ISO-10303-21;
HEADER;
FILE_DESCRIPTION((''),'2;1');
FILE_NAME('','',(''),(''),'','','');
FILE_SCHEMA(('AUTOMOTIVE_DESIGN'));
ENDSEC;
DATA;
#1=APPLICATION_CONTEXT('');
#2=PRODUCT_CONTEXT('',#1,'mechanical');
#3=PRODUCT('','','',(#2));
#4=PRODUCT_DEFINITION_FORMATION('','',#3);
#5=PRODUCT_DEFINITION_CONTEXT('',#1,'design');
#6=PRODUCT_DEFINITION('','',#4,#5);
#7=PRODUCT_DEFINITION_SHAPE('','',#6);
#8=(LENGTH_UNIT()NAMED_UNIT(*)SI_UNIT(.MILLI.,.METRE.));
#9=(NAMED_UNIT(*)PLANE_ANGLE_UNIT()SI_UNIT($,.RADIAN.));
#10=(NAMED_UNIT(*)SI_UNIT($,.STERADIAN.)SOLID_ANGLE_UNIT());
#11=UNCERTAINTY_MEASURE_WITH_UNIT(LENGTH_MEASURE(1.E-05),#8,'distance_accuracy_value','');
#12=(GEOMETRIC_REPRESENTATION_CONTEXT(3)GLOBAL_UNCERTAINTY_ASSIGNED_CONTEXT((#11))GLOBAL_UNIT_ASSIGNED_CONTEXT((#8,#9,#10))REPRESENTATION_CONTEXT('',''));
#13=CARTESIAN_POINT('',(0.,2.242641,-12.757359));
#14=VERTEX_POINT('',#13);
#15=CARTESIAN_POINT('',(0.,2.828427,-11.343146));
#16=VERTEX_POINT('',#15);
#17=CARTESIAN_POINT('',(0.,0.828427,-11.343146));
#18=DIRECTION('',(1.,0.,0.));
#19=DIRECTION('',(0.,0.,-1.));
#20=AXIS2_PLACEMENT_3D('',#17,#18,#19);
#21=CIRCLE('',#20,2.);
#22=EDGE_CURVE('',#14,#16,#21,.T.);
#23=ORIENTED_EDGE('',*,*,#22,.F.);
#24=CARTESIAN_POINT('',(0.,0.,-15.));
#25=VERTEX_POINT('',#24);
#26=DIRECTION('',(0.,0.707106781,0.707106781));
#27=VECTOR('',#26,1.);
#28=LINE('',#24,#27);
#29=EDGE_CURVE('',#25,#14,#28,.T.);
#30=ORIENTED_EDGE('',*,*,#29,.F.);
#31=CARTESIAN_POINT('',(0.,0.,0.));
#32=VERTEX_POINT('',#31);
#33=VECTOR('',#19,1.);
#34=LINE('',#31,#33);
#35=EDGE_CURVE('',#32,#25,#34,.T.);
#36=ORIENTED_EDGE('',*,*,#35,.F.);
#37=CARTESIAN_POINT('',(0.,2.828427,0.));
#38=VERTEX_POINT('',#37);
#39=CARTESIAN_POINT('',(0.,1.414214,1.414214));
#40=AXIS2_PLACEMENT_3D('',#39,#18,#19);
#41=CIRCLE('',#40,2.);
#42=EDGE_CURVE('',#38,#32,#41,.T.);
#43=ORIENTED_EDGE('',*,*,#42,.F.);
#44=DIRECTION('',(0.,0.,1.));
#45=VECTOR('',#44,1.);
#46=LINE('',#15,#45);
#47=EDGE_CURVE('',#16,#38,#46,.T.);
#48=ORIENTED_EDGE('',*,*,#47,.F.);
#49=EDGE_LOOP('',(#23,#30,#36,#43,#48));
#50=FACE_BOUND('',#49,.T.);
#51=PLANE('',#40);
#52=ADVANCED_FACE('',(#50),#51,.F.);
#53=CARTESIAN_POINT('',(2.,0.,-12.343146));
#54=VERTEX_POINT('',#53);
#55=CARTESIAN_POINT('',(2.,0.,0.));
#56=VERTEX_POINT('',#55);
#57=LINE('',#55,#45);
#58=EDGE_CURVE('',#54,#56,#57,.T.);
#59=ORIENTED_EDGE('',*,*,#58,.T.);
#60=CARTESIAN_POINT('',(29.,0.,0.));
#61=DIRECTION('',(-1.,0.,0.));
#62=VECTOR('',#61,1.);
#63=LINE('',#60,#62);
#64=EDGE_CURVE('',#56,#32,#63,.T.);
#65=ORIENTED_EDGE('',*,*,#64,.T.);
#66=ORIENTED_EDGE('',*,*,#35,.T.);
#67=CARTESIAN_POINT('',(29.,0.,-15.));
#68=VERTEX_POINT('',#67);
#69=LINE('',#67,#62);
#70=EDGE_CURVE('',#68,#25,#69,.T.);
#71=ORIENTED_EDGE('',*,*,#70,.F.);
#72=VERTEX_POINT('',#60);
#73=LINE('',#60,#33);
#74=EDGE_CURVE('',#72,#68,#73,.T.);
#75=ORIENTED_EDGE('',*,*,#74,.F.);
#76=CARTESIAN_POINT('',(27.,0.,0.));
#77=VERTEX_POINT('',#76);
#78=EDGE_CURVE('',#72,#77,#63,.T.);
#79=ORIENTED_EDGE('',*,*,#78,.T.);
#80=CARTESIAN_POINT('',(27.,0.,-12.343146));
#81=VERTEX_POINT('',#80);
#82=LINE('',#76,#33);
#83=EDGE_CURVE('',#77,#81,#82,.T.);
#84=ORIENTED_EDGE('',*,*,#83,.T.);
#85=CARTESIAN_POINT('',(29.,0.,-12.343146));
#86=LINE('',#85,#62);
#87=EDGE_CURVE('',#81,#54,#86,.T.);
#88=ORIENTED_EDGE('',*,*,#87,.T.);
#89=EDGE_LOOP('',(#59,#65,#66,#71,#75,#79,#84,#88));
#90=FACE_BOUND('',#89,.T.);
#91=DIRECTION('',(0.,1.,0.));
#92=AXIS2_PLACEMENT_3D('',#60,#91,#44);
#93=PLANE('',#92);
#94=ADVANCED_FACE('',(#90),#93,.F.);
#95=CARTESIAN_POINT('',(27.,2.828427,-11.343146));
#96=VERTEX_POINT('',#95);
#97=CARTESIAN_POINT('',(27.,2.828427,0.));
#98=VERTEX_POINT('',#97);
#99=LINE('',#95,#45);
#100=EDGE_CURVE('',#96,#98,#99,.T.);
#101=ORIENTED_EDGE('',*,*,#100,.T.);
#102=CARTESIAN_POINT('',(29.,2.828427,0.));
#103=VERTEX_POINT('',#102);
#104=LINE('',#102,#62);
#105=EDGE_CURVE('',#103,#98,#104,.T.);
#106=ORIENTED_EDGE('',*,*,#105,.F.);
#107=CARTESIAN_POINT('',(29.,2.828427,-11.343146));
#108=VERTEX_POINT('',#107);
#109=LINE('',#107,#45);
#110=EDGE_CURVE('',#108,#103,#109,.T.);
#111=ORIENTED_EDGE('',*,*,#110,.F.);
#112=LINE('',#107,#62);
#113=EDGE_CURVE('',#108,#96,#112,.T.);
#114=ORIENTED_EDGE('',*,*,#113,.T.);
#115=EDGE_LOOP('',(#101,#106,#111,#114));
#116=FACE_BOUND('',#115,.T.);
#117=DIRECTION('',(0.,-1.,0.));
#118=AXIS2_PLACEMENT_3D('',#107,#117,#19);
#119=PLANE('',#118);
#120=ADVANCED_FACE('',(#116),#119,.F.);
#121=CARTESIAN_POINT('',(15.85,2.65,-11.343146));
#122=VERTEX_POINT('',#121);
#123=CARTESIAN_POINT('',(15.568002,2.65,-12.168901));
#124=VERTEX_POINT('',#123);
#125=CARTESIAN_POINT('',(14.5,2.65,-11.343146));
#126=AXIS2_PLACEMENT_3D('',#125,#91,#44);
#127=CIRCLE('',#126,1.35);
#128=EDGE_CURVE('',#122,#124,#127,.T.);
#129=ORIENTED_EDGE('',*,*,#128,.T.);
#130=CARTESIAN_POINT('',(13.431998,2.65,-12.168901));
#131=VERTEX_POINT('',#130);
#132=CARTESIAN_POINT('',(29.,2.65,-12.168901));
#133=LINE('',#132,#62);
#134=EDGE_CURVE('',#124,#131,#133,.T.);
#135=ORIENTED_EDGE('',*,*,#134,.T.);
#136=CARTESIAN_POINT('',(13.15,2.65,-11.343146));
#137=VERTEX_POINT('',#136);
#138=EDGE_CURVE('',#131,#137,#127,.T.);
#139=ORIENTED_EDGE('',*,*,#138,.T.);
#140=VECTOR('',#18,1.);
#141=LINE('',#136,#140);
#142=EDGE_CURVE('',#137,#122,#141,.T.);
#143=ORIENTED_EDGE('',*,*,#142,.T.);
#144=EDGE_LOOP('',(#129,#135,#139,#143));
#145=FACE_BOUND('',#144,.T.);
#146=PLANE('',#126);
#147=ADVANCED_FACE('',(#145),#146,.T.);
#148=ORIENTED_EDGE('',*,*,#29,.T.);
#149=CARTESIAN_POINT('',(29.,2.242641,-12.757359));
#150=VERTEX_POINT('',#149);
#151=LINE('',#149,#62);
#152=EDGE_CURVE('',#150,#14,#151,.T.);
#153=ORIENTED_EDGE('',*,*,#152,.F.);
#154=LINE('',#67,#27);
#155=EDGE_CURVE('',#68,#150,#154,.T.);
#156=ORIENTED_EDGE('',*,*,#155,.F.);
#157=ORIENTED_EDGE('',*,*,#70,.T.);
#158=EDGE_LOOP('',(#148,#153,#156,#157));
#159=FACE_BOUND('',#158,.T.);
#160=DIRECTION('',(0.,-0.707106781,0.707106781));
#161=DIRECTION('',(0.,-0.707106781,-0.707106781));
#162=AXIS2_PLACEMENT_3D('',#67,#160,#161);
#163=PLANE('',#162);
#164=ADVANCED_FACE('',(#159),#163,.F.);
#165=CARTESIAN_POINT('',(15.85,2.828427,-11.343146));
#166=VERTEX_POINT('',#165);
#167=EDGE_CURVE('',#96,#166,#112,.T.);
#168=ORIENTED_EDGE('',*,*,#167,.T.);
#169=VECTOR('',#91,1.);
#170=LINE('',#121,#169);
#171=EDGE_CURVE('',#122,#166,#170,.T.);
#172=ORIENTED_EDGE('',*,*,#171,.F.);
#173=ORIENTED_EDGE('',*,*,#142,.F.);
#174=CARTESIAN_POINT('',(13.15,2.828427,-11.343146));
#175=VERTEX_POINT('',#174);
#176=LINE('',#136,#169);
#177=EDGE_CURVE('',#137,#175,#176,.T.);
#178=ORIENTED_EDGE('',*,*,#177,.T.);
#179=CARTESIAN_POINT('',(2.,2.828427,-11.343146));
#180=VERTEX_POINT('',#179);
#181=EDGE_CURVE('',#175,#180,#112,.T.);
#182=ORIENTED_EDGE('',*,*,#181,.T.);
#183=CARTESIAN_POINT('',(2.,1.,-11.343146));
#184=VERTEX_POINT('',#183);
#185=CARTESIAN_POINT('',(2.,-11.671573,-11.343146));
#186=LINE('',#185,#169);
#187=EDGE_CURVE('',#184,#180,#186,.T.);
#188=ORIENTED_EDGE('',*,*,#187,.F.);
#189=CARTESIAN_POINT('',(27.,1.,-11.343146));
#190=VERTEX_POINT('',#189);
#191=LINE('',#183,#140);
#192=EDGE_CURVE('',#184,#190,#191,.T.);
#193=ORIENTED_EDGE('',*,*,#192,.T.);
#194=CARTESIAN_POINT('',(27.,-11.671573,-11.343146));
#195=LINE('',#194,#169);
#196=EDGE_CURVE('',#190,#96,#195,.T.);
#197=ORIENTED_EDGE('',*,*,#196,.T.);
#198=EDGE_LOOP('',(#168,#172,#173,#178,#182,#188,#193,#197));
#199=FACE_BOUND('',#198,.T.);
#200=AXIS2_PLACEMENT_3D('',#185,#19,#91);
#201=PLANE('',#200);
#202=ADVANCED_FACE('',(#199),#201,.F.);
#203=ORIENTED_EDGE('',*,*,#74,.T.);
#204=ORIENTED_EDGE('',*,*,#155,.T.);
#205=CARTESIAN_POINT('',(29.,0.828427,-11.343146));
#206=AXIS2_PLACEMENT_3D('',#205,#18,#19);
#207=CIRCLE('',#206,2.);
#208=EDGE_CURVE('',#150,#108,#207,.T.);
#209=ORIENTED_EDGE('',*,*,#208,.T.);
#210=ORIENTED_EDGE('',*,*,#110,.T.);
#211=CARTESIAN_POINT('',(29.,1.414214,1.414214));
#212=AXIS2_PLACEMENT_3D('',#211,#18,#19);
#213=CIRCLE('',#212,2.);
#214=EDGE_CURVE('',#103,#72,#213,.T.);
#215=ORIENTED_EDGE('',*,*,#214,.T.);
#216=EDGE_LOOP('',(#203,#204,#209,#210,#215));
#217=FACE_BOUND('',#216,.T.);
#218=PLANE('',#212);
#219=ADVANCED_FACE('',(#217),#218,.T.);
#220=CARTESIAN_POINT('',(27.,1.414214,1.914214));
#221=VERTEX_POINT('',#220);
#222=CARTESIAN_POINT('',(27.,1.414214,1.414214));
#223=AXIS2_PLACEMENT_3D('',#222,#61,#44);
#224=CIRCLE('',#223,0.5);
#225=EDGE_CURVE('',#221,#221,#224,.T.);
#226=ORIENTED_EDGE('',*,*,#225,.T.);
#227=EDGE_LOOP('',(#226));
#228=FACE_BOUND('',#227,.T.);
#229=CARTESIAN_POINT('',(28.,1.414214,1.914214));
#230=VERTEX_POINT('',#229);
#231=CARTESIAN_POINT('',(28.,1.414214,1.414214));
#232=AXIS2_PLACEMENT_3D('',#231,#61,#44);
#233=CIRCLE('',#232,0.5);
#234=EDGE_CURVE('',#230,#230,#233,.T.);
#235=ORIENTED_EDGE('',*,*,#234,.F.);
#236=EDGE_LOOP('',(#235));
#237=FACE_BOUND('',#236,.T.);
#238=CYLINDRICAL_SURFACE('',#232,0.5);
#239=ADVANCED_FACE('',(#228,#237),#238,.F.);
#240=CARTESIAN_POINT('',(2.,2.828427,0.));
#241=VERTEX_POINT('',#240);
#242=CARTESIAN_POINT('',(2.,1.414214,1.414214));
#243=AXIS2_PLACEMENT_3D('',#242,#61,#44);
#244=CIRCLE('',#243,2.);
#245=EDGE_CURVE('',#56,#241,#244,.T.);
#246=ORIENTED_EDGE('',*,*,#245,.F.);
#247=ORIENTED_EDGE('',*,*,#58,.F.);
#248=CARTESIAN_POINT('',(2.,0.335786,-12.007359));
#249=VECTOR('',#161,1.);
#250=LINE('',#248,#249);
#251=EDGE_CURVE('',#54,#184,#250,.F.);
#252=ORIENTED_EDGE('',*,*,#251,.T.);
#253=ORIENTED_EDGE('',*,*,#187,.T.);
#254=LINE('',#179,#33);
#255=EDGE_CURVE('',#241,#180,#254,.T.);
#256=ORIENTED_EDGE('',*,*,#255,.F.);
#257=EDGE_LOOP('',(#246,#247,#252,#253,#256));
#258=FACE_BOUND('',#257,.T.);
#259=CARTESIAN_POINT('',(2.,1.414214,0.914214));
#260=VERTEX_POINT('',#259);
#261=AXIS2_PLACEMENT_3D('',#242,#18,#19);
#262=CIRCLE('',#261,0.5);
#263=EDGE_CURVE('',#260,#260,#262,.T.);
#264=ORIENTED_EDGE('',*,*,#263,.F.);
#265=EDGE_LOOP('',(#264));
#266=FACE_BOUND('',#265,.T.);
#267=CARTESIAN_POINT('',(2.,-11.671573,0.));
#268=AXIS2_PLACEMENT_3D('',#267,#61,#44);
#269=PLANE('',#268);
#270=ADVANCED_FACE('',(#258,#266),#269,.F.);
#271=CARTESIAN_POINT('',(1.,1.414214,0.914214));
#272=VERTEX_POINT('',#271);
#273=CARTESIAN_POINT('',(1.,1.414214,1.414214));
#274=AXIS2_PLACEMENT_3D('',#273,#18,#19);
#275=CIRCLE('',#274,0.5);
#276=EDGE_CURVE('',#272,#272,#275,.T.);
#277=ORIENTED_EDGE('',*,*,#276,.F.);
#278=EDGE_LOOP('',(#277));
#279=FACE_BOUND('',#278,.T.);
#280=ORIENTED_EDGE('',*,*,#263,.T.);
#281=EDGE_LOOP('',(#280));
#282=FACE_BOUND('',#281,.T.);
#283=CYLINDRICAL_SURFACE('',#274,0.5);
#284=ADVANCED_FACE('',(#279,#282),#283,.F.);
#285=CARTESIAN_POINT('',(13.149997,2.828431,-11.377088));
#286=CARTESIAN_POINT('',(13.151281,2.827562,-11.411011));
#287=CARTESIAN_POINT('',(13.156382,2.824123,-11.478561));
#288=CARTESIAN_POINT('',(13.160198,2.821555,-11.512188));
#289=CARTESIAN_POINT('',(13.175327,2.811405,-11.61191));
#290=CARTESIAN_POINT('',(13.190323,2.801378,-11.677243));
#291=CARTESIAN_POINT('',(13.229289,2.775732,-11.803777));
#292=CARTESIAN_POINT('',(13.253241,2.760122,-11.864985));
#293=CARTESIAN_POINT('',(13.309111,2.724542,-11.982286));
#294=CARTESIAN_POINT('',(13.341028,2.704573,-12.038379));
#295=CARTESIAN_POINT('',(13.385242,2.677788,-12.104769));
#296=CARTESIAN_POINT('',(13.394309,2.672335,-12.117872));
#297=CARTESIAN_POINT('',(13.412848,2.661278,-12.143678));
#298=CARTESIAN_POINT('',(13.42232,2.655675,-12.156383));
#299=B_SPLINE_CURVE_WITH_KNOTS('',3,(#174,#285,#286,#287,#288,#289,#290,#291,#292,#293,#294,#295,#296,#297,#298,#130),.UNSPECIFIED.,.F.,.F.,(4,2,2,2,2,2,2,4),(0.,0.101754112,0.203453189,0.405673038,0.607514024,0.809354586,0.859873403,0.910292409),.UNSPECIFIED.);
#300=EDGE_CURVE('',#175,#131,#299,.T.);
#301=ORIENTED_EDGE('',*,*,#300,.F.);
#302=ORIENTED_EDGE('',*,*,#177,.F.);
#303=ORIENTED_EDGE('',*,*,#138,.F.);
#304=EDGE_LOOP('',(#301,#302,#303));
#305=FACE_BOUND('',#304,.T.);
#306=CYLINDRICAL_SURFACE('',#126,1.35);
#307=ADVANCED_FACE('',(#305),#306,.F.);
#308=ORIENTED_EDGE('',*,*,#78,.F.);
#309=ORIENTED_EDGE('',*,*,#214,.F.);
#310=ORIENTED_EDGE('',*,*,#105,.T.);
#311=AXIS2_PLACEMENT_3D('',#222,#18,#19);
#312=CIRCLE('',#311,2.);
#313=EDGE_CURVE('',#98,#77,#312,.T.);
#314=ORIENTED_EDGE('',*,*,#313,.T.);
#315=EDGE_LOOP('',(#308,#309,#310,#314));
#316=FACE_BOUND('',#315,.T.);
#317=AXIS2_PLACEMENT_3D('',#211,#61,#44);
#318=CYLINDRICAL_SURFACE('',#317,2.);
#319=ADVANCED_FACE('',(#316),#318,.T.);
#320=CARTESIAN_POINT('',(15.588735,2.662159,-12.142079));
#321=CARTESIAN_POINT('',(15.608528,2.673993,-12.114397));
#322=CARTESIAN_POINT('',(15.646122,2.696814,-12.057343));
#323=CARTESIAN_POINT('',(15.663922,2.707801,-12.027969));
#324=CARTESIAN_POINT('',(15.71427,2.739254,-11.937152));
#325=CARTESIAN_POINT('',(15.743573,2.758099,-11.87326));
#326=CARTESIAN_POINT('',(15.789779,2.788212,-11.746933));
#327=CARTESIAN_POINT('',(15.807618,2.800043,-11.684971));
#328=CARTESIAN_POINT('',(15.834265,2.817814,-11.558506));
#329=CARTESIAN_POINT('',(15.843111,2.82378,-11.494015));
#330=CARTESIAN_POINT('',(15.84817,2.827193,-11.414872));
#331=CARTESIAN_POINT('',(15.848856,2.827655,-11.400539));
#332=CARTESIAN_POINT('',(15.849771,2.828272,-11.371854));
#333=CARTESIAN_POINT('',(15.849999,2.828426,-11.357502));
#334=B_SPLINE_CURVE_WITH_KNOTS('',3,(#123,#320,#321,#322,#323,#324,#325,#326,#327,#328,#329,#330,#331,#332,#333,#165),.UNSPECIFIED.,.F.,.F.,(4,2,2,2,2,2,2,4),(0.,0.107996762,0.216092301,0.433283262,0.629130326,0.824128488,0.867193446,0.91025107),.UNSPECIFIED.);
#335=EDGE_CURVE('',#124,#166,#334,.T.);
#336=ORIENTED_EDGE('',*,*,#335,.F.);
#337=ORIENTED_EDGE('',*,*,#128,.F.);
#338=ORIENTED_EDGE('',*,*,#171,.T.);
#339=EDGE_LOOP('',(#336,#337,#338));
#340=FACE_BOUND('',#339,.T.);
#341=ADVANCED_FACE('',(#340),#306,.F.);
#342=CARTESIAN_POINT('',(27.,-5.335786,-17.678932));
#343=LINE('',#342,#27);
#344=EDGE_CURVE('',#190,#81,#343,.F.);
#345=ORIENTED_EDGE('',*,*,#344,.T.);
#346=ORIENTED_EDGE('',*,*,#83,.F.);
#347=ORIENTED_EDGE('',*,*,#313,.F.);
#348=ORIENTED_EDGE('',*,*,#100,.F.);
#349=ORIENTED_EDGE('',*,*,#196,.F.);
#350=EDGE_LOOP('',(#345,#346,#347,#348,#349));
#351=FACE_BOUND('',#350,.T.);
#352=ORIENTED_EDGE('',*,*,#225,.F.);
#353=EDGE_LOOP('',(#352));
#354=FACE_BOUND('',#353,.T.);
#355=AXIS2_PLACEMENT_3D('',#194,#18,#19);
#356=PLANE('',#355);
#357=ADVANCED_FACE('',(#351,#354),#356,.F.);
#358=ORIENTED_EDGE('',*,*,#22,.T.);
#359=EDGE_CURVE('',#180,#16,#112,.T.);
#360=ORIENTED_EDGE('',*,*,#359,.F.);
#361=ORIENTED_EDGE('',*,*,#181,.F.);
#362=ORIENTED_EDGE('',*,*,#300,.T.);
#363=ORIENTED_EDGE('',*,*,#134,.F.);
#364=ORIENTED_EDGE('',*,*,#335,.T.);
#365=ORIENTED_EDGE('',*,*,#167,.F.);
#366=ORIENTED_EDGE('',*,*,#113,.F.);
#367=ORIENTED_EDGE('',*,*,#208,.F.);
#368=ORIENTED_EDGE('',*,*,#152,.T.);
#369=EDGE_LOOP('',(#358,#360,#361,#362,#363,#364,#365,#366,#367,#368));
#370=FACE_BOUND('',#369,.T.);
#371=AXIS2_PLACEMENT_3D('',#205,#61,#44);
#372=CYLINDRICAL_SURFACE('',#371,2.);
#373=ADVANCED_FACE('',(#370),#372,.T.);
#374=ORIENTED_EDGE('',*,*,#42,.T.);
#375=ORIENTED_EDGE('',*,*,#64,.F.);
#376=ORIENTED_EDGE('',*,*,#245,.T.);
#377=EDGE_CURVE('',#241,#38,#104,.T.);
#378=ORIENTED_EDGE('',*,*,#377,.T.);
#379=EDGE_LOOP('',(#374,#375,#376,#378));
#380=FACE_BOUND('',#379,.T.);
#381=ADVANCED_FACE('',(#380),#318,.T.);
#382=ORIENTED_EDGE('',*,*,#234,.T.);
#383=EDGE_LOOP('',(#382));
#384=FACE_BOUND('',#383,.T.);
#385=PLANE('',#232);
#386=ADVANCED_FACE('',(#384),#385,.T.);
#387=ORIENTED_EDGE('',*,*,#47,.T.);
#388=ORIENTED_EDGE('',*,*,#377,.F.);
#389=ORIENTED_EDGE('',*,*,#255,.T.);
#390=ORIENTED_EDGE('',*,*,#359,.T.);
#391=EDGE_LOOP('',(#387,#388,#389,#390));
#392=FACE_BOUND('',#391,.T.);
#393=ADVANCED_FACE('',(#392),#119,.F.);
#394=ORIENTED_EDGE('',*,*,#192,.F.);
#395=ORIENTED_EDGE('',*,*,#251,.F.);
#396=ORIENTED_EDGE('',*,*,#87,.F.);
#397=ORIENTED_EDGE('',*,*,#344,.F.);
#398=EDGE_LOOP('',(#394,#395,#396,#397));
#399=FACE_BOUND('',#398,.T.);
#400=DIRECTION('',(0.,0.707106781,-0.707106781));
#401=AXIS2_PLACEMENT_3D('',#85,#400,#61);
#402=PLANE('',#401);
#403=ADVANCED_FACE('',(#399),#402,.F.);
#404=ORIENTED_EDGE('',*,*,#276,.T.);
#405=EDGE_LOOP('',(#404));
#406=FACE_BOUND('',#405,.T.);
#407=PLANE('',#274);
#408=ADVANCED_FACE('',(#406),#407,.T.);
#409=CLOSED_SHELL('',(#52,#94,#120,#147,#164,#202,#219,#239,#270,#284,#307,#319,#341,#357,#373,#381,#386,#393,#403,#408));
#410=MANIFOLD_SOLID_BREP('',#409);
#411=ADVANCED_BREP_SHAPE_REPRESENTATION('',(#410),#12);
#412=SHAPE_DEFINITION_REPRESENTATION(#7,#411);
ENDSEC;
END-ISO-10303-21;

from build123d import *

# Parameters (mm, degrees)
SALIENTE_EXTRUIR1_DEPTH = 29
CORTAR_EXTRUIR1_DEPTH   = 14.5
CHAFL_N1_SIZE           = 1
CROQUIS3_R              = 0.5
CORTAR_EXTRUIR2_DEPTH   = 1
CROQUIS4_R              = 0.5
CORTAR_EXTRUIR3_DEPTH   = 1
CORTAR_EXTRUIR5_DEPTH   = 0.2


with BuildPart() as part:
    # Croquis1 → Saliente-Extruir1 (new body)
    with BuildSketch(Plane(origin=(0, 0, 0), x_dir=(0, 0, -1), z_dir=(1, 0, 0))):
        with BuildLine():
            Line((0, 0), (15, 0))
            Line((15, 0), (12.757359313, 2.242640687))
            ThreePointArc((12.757359313, 2.242640687), (12.108512615, 2.67618619), (11.343145751, 2.828427125))
            Line((11.343145751, 2.828427125), (0, 2.828427125))
            ThreePointArc((0, 2.828427125), (-3.414213562, 1.414213562), (0, 0))
        make_face()
    extrude(amount=SALIENTE_EXTRUIR1_DEPTH)

    # Croquis2 → Cortar-Extruir1 (cut, symmetric)
    with BuildSketch(Plane(origin=(0, 2.828427125, 0), x_dir=(1, 0, 0), z_dir=(0, 1, 0))):
        Polygon((2, 0), (2, 11.343145751), (27, 11.343145751), (27, 0), (27, -11.34659481), (2, -9.45811087), align=None)
    extrude(amount=CORTAR_EXTRUIR1_DEPTH, both=True, mode=Mode.SUBTRACT)

    # Chaflán1
    chafl_n1_edges = [part.edges().sort_by_distance(p)[0] for p in [
        (14.5, 0, -11.343145751),
    ]]
    chamfer(chafl_n1_edges, length=CHAFL_N1_SIZE)

    # Croquis3 → Cortar-Extruir2 (cut)
    with BuildSketch(Plane.ZY.offset(-27)):
        with Locations((1.414213562, 1.414213562)):
            Circle(CROQUIS3_R)
    extrude(amount=-CORTAR_EXTRUIR2_DEPTH, mode=Mode.SUBTRACT)

    # Croquis4 → Cortar-Extruir3 (cut)
    with BuildSketch(Plane(origin=(2, 0, 0), x_dir=(0, 0, -1), z_dir=(1, 0, 0))):
        with Locations((-1.414213562, 1.414213562)):
            Circle(CROQUIS4_R)
    extrude(amount=-CORTAR_EXTRUIR3_DEPTH, mode=Mode.SUBTRACT)

    # Croquis5 → Cortar-Extruir5 (cut)
    with BuildSketch(Plane(origin=(0, 2.85, 0), x_dir=(1, 0, 0), z_dir=(0, 1, 0))):
        with BuildLine():
            Line((13.15, 11.343145751), (15.85, 11.343145751))
            ThreePointArc((15.85, 11.343145751), (14.5, 12.693145751), (13.15, 11.343145751))
        make_face()
    extrude(amount=-CORTAR_EXTRUIR5_DEPTH, mode=Mode.SUBTRACT)


solid = part.part
